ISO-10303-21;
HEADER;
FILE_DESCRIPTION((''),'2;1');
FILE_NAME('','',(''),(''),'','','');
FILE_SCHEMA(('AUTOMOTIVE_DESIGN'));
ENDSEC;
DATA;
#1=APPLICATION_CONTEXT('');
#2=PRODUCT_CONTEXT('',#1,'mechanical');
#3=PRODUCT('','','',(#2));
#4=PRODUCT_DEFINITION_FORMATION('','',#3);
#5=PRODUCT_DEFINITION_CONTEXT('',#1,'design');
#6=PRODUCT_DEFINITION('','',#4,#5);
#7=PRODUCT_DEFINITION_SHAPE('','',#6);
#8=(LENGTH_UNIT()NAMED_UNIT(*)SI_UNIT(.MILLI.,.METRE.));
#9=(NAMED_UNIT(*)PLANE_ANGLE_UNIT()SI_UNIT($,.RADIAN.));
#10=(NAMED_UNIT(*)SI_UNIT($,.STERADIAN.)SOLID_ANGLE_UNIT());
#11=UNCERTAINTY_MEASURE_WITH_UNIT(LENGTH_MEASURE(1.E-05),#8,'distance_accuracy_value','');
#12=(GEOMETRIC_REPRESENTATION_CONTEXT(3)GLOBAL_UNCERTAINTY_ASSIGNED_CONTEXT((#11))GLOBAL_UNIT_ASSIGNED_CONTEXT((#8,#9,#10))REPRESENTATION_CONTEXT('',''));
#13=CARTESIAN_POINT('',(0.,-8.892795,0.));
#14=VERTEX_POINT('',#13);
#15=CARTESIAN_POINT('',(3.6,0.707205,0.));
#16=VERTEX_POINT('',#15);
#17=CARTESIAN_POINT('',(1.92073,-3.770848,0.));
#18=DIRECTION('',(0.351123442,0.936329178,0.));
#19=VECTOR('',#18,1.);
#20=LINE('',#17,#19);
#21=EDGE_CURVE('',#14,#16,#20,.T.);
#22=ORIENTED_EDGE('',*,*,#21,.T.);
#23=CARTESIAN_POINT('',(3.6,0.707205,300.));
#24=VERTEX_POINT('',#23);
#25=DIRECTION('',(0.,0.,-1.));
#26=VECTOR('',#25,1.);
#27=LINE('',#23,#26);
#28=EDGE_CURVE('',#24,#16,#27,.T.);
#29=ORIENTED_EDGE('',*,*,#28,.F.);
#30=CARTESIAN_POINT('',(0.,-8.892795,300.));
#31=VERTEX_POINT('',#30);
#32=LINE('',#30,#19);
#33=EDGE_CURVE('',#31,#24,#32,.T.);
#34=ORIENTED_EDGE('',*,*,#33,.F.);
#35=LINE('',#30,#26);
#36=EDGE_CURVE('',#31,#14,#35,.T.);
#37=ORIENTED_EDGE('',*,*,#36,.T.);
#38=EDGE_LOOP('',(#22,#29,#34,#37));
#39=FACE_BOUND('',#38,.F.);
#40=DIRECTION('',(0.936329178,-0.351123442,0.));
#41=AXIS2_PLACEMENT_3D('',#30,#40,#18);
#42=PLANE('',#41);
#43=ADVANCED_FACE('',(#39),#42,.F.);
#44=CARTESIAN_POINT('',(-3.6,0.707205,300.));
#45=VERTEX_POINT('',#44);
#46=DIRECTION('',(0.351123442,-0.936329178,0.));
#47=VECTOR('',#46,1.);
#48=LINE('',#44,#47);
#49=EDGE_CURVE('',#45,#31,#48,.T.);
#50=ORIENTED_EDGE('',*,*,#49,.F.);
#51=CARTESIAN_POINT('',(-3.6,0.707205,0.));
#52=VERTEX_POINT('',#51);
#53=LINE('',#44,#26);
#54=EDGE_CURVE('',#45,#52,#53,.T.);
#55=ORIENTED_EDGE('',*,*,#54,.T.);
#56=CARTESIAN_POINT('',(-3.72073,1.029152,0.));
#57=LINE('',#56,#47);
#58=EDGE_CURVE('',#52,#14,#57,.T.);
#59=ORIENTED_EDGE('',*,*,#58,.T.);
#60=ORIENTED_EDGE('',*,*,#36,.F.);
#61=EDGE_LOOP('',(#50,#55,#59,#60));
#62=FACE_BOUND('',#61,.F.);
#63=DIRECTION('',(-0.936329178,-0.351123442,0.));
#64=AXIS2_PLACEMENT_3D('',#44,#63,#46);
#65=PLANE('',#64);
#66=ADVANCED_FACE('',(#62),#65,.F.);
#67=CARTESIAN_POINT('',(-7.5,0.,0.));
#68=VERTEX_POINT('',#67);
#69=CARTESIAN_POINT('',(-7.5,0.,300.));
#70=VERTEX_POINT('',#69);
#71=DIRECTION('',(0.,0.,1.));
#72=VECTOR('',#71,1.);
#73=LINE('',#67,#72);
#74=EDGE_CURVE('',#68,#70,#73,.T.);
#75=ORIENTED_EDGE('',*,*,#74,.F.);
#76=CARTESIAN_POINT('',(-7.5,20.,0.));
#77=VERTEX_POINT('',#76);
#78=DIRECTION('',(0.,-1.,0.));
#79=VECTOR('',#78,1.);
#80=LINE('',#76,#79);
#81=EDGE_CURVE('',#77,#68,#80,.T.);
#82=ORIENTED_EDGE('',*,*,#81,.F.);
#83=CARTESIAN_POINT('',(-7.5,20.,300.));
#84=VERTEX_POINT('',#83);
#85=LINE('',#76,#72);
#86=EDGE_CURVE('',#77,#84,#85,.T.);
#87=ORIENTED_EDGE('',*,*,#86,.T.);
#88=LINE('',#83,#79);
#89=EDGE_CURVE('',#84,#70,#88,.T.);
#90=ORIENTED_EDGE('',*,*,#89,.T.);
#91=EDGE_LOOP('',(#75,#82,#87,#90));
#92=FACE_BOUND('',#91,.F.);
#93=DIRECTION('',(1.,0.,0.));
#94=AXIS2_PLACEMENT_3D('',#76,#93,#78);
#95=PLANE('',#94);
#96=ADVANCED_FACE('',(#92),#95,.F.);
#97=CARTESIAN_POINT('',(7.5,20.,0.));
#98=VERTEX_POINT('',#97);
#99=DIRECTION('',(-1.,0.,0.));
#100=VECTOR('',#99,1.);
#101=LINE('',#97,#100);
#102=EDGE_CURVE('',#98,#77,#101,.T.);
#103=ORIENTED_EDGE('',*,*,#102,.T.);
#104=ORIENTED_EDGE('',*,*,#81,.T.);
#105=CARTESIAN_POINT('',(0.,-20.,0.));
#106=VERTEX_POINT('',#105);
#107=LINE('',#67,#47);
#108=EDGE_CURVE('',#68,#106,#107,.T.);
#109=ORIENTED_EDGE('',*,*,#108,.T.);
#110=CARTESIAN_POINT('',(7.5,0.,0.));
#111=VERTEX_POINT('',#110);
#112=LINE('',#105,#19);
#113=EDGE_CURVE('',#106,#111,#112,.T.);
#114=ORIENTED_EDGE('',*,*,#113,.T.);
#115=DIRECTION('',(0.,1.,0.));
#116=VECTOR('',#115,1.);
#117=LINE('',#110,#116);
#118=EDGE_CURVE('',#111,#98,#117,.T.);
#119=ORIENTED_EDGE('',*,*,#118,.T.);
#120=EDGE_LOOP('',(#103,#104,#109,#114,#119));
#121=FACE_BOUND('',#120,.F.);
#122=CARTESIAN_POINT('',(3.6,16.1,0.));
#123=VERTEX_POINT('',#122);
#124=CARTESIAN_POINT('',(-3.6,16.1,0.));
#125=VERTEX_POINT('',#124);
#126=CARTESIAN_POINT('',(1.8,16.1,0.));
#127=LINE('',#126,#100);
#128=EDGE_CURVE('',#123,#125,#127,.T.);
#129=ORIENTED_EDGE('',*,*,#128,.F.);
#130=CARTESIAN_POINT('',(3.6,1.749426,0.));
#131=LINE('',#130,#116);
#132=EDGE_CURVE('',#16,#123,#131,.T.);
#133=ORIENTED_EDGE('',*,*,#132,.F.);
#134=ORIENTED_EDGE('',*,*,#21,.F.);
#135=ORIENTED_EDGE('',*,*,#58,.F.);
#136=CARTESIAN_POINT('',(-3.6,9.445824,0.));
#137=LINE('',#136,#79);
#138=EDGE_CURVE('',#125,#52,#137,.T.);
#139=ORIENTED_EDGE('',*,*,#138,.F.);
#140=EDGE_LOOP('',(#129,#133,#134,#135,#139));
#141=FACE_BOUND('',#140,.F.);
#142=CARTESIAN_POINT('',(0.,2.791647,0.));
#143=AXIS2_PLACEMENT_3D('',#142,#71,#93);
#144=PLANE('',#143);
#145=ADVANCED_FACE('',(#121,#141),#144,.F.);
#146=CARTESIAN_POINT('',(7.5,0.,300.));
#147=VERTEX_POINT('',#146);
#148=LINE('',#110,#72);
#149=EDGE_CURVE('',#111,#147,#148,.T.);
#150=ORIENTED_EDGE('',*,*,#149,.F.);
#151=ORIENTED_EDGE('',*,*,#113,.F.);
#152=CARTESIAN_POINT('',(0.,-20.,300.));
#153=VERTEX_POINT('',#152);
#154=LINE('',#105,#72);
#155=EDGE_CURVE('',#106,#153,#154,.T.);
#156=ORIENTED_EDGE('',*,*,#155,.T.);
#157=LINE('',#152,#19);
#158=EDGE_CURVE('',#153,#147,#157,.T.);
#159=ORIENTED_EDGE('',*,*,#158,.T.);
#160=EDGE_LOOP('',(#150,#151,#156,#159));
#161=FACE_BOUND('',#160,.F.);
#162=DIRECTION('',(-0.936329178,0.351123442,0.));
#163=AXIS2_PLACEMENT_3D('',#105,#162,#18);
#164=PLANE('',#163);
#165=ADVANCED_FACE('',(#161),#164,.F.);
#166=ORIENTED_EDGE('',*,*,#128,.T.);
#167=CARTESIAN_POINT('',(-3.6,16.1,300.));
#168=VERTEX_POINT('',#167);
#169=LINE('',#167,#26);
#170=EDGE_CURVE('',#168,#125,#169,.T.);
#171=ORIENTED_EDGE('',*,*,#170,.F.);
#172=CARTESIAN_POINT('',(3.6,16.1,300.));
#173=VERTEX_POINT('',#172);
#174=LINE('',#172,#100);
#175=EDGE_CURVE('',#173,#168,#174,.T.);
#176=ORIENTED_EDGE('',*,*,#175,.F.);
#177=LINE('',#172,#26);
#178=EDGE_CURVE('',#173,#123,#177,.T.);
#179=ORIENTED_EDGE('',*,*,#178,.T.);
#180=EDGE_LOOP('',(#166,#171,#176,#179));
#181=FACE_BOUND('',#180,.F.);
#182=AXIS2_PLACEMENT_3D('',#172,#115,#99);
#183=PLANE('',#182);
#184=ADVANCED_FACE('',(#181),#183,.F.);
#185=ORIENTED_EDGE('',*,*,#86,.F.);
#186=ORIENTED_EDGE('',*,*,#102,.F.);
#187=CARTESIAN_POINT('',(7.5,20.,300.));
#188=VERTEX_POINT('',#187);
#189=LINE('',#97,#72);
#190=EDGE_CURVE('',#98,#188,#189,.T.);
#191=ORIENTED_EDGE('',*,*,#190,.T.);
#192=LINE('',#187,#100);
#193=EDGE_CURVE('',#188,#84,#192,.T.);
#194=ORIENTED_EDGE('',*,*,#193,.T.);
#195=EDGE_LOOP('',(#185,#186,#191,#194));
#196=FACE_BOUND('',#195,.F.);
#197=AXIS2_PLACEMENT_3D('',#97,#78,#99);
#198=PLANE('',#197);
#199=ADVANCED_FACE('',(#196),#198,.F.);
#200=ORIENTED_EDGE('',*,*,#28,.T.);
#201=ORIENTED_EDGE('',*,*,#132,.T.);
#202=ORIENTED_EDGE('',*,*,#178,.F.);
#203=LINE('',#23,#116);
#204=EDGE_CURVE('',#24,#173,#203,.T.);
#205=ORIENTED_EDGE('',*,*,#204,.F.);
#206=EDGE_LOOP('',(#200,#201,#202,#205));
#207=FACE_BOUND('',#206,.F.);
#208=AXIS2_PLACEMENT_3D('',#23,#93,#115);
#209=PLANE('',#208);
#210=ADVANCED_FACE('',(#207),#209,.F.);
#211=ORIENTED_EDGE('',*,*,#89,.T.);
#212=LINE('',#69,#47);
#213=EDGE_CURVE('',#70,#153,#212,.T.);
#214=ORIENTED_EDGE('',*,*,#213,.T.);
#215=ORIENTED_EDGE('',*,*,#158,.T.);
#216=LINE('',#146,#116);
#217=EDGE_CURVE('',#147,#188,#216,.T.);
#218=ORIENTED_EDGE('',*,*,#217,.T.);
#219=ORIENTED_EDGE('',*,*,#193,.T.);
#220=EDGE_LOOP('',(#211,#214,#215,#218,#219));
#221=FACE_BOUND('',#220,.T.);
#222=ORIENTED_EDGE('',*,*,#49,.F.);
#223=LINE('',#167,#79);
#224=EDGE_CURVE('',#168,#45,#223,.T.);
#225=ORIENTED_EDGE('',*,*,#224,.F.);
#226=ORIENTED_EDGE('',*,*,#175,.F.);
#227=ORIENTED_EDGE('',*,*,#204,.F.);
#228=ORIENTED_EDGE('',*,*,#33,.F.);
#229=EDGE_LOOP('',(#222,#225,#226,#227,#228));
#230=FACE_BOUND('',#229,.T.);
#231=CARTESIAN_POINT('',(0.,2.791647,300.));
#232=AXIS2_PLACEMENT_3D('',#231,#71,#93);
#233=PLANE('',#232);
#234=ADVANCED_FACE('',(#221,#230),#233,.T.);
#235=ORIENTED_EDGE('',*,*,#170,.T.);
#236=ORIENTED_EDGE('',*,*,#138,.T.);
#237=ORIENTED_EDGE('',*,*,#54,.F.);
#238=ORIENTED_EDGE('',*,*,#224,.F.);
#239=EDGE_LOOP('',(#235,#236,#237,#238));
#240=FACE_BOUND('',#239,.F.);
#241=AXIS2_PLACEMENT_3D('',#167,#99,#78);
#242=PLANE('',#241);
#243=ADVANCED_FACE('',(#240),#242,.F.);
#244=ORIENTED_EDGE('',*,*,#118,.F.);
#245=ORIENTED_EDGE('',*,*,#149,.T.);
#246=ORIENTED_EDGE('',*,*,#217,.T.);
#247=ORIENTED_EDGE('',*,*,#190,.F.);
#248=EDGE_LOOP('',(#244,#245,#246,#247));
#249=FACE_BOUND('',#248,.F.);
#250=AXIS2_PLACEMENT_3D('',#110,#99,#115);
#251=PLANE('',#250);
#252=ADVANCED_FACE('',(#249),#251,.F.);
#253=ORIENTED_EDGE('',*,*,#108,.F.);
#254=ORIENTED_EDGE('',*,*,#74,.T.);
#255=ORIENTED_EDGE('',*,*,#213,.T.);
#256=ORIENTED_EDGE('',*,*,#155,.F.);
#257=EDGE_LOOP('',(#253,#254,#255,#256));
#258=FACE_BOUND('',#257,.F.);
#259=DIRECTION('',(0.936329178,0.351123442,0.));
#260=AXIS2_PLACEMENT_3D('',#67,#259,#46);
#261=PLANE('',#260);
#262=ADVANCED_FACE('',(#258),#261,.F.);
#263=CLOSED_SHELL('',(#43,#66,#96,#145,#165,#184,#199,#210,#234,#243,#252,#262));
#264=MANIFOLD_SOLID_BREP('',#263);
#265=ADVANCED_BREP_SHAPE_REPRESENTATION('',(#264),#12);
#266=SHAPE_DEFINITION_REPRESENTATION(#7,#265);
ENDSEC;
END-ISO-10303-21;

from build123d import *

# Parameters (mm, degrees)
F1_DEPTH = 300
F3_DEPTH = 300.001


with BuildPart() as f1:
    # F0 (on Top) → F1 (new body)
    with BuildSketch(Plane.XY):
        Polygon((-7.5, 20), (-7.5, 0), (0, -20), (7.5, 0), (7.5, 20), align=None)
    extrude(amount=F1_DEPTH)

    # F2 (on face) → F3 (cut, through all)
    with BuildSketch(Plane.XY.offset(300)):
        Polygon((-3.6, 0.707205), (0, -8.892795), (3.6, 0.707205), (3.6, 16.1), (-3.6, 16.1), align=None)
    extrude(amount=-F3_DEPTH, mode=Mode.SUBTRACT)


solid = f1.part
